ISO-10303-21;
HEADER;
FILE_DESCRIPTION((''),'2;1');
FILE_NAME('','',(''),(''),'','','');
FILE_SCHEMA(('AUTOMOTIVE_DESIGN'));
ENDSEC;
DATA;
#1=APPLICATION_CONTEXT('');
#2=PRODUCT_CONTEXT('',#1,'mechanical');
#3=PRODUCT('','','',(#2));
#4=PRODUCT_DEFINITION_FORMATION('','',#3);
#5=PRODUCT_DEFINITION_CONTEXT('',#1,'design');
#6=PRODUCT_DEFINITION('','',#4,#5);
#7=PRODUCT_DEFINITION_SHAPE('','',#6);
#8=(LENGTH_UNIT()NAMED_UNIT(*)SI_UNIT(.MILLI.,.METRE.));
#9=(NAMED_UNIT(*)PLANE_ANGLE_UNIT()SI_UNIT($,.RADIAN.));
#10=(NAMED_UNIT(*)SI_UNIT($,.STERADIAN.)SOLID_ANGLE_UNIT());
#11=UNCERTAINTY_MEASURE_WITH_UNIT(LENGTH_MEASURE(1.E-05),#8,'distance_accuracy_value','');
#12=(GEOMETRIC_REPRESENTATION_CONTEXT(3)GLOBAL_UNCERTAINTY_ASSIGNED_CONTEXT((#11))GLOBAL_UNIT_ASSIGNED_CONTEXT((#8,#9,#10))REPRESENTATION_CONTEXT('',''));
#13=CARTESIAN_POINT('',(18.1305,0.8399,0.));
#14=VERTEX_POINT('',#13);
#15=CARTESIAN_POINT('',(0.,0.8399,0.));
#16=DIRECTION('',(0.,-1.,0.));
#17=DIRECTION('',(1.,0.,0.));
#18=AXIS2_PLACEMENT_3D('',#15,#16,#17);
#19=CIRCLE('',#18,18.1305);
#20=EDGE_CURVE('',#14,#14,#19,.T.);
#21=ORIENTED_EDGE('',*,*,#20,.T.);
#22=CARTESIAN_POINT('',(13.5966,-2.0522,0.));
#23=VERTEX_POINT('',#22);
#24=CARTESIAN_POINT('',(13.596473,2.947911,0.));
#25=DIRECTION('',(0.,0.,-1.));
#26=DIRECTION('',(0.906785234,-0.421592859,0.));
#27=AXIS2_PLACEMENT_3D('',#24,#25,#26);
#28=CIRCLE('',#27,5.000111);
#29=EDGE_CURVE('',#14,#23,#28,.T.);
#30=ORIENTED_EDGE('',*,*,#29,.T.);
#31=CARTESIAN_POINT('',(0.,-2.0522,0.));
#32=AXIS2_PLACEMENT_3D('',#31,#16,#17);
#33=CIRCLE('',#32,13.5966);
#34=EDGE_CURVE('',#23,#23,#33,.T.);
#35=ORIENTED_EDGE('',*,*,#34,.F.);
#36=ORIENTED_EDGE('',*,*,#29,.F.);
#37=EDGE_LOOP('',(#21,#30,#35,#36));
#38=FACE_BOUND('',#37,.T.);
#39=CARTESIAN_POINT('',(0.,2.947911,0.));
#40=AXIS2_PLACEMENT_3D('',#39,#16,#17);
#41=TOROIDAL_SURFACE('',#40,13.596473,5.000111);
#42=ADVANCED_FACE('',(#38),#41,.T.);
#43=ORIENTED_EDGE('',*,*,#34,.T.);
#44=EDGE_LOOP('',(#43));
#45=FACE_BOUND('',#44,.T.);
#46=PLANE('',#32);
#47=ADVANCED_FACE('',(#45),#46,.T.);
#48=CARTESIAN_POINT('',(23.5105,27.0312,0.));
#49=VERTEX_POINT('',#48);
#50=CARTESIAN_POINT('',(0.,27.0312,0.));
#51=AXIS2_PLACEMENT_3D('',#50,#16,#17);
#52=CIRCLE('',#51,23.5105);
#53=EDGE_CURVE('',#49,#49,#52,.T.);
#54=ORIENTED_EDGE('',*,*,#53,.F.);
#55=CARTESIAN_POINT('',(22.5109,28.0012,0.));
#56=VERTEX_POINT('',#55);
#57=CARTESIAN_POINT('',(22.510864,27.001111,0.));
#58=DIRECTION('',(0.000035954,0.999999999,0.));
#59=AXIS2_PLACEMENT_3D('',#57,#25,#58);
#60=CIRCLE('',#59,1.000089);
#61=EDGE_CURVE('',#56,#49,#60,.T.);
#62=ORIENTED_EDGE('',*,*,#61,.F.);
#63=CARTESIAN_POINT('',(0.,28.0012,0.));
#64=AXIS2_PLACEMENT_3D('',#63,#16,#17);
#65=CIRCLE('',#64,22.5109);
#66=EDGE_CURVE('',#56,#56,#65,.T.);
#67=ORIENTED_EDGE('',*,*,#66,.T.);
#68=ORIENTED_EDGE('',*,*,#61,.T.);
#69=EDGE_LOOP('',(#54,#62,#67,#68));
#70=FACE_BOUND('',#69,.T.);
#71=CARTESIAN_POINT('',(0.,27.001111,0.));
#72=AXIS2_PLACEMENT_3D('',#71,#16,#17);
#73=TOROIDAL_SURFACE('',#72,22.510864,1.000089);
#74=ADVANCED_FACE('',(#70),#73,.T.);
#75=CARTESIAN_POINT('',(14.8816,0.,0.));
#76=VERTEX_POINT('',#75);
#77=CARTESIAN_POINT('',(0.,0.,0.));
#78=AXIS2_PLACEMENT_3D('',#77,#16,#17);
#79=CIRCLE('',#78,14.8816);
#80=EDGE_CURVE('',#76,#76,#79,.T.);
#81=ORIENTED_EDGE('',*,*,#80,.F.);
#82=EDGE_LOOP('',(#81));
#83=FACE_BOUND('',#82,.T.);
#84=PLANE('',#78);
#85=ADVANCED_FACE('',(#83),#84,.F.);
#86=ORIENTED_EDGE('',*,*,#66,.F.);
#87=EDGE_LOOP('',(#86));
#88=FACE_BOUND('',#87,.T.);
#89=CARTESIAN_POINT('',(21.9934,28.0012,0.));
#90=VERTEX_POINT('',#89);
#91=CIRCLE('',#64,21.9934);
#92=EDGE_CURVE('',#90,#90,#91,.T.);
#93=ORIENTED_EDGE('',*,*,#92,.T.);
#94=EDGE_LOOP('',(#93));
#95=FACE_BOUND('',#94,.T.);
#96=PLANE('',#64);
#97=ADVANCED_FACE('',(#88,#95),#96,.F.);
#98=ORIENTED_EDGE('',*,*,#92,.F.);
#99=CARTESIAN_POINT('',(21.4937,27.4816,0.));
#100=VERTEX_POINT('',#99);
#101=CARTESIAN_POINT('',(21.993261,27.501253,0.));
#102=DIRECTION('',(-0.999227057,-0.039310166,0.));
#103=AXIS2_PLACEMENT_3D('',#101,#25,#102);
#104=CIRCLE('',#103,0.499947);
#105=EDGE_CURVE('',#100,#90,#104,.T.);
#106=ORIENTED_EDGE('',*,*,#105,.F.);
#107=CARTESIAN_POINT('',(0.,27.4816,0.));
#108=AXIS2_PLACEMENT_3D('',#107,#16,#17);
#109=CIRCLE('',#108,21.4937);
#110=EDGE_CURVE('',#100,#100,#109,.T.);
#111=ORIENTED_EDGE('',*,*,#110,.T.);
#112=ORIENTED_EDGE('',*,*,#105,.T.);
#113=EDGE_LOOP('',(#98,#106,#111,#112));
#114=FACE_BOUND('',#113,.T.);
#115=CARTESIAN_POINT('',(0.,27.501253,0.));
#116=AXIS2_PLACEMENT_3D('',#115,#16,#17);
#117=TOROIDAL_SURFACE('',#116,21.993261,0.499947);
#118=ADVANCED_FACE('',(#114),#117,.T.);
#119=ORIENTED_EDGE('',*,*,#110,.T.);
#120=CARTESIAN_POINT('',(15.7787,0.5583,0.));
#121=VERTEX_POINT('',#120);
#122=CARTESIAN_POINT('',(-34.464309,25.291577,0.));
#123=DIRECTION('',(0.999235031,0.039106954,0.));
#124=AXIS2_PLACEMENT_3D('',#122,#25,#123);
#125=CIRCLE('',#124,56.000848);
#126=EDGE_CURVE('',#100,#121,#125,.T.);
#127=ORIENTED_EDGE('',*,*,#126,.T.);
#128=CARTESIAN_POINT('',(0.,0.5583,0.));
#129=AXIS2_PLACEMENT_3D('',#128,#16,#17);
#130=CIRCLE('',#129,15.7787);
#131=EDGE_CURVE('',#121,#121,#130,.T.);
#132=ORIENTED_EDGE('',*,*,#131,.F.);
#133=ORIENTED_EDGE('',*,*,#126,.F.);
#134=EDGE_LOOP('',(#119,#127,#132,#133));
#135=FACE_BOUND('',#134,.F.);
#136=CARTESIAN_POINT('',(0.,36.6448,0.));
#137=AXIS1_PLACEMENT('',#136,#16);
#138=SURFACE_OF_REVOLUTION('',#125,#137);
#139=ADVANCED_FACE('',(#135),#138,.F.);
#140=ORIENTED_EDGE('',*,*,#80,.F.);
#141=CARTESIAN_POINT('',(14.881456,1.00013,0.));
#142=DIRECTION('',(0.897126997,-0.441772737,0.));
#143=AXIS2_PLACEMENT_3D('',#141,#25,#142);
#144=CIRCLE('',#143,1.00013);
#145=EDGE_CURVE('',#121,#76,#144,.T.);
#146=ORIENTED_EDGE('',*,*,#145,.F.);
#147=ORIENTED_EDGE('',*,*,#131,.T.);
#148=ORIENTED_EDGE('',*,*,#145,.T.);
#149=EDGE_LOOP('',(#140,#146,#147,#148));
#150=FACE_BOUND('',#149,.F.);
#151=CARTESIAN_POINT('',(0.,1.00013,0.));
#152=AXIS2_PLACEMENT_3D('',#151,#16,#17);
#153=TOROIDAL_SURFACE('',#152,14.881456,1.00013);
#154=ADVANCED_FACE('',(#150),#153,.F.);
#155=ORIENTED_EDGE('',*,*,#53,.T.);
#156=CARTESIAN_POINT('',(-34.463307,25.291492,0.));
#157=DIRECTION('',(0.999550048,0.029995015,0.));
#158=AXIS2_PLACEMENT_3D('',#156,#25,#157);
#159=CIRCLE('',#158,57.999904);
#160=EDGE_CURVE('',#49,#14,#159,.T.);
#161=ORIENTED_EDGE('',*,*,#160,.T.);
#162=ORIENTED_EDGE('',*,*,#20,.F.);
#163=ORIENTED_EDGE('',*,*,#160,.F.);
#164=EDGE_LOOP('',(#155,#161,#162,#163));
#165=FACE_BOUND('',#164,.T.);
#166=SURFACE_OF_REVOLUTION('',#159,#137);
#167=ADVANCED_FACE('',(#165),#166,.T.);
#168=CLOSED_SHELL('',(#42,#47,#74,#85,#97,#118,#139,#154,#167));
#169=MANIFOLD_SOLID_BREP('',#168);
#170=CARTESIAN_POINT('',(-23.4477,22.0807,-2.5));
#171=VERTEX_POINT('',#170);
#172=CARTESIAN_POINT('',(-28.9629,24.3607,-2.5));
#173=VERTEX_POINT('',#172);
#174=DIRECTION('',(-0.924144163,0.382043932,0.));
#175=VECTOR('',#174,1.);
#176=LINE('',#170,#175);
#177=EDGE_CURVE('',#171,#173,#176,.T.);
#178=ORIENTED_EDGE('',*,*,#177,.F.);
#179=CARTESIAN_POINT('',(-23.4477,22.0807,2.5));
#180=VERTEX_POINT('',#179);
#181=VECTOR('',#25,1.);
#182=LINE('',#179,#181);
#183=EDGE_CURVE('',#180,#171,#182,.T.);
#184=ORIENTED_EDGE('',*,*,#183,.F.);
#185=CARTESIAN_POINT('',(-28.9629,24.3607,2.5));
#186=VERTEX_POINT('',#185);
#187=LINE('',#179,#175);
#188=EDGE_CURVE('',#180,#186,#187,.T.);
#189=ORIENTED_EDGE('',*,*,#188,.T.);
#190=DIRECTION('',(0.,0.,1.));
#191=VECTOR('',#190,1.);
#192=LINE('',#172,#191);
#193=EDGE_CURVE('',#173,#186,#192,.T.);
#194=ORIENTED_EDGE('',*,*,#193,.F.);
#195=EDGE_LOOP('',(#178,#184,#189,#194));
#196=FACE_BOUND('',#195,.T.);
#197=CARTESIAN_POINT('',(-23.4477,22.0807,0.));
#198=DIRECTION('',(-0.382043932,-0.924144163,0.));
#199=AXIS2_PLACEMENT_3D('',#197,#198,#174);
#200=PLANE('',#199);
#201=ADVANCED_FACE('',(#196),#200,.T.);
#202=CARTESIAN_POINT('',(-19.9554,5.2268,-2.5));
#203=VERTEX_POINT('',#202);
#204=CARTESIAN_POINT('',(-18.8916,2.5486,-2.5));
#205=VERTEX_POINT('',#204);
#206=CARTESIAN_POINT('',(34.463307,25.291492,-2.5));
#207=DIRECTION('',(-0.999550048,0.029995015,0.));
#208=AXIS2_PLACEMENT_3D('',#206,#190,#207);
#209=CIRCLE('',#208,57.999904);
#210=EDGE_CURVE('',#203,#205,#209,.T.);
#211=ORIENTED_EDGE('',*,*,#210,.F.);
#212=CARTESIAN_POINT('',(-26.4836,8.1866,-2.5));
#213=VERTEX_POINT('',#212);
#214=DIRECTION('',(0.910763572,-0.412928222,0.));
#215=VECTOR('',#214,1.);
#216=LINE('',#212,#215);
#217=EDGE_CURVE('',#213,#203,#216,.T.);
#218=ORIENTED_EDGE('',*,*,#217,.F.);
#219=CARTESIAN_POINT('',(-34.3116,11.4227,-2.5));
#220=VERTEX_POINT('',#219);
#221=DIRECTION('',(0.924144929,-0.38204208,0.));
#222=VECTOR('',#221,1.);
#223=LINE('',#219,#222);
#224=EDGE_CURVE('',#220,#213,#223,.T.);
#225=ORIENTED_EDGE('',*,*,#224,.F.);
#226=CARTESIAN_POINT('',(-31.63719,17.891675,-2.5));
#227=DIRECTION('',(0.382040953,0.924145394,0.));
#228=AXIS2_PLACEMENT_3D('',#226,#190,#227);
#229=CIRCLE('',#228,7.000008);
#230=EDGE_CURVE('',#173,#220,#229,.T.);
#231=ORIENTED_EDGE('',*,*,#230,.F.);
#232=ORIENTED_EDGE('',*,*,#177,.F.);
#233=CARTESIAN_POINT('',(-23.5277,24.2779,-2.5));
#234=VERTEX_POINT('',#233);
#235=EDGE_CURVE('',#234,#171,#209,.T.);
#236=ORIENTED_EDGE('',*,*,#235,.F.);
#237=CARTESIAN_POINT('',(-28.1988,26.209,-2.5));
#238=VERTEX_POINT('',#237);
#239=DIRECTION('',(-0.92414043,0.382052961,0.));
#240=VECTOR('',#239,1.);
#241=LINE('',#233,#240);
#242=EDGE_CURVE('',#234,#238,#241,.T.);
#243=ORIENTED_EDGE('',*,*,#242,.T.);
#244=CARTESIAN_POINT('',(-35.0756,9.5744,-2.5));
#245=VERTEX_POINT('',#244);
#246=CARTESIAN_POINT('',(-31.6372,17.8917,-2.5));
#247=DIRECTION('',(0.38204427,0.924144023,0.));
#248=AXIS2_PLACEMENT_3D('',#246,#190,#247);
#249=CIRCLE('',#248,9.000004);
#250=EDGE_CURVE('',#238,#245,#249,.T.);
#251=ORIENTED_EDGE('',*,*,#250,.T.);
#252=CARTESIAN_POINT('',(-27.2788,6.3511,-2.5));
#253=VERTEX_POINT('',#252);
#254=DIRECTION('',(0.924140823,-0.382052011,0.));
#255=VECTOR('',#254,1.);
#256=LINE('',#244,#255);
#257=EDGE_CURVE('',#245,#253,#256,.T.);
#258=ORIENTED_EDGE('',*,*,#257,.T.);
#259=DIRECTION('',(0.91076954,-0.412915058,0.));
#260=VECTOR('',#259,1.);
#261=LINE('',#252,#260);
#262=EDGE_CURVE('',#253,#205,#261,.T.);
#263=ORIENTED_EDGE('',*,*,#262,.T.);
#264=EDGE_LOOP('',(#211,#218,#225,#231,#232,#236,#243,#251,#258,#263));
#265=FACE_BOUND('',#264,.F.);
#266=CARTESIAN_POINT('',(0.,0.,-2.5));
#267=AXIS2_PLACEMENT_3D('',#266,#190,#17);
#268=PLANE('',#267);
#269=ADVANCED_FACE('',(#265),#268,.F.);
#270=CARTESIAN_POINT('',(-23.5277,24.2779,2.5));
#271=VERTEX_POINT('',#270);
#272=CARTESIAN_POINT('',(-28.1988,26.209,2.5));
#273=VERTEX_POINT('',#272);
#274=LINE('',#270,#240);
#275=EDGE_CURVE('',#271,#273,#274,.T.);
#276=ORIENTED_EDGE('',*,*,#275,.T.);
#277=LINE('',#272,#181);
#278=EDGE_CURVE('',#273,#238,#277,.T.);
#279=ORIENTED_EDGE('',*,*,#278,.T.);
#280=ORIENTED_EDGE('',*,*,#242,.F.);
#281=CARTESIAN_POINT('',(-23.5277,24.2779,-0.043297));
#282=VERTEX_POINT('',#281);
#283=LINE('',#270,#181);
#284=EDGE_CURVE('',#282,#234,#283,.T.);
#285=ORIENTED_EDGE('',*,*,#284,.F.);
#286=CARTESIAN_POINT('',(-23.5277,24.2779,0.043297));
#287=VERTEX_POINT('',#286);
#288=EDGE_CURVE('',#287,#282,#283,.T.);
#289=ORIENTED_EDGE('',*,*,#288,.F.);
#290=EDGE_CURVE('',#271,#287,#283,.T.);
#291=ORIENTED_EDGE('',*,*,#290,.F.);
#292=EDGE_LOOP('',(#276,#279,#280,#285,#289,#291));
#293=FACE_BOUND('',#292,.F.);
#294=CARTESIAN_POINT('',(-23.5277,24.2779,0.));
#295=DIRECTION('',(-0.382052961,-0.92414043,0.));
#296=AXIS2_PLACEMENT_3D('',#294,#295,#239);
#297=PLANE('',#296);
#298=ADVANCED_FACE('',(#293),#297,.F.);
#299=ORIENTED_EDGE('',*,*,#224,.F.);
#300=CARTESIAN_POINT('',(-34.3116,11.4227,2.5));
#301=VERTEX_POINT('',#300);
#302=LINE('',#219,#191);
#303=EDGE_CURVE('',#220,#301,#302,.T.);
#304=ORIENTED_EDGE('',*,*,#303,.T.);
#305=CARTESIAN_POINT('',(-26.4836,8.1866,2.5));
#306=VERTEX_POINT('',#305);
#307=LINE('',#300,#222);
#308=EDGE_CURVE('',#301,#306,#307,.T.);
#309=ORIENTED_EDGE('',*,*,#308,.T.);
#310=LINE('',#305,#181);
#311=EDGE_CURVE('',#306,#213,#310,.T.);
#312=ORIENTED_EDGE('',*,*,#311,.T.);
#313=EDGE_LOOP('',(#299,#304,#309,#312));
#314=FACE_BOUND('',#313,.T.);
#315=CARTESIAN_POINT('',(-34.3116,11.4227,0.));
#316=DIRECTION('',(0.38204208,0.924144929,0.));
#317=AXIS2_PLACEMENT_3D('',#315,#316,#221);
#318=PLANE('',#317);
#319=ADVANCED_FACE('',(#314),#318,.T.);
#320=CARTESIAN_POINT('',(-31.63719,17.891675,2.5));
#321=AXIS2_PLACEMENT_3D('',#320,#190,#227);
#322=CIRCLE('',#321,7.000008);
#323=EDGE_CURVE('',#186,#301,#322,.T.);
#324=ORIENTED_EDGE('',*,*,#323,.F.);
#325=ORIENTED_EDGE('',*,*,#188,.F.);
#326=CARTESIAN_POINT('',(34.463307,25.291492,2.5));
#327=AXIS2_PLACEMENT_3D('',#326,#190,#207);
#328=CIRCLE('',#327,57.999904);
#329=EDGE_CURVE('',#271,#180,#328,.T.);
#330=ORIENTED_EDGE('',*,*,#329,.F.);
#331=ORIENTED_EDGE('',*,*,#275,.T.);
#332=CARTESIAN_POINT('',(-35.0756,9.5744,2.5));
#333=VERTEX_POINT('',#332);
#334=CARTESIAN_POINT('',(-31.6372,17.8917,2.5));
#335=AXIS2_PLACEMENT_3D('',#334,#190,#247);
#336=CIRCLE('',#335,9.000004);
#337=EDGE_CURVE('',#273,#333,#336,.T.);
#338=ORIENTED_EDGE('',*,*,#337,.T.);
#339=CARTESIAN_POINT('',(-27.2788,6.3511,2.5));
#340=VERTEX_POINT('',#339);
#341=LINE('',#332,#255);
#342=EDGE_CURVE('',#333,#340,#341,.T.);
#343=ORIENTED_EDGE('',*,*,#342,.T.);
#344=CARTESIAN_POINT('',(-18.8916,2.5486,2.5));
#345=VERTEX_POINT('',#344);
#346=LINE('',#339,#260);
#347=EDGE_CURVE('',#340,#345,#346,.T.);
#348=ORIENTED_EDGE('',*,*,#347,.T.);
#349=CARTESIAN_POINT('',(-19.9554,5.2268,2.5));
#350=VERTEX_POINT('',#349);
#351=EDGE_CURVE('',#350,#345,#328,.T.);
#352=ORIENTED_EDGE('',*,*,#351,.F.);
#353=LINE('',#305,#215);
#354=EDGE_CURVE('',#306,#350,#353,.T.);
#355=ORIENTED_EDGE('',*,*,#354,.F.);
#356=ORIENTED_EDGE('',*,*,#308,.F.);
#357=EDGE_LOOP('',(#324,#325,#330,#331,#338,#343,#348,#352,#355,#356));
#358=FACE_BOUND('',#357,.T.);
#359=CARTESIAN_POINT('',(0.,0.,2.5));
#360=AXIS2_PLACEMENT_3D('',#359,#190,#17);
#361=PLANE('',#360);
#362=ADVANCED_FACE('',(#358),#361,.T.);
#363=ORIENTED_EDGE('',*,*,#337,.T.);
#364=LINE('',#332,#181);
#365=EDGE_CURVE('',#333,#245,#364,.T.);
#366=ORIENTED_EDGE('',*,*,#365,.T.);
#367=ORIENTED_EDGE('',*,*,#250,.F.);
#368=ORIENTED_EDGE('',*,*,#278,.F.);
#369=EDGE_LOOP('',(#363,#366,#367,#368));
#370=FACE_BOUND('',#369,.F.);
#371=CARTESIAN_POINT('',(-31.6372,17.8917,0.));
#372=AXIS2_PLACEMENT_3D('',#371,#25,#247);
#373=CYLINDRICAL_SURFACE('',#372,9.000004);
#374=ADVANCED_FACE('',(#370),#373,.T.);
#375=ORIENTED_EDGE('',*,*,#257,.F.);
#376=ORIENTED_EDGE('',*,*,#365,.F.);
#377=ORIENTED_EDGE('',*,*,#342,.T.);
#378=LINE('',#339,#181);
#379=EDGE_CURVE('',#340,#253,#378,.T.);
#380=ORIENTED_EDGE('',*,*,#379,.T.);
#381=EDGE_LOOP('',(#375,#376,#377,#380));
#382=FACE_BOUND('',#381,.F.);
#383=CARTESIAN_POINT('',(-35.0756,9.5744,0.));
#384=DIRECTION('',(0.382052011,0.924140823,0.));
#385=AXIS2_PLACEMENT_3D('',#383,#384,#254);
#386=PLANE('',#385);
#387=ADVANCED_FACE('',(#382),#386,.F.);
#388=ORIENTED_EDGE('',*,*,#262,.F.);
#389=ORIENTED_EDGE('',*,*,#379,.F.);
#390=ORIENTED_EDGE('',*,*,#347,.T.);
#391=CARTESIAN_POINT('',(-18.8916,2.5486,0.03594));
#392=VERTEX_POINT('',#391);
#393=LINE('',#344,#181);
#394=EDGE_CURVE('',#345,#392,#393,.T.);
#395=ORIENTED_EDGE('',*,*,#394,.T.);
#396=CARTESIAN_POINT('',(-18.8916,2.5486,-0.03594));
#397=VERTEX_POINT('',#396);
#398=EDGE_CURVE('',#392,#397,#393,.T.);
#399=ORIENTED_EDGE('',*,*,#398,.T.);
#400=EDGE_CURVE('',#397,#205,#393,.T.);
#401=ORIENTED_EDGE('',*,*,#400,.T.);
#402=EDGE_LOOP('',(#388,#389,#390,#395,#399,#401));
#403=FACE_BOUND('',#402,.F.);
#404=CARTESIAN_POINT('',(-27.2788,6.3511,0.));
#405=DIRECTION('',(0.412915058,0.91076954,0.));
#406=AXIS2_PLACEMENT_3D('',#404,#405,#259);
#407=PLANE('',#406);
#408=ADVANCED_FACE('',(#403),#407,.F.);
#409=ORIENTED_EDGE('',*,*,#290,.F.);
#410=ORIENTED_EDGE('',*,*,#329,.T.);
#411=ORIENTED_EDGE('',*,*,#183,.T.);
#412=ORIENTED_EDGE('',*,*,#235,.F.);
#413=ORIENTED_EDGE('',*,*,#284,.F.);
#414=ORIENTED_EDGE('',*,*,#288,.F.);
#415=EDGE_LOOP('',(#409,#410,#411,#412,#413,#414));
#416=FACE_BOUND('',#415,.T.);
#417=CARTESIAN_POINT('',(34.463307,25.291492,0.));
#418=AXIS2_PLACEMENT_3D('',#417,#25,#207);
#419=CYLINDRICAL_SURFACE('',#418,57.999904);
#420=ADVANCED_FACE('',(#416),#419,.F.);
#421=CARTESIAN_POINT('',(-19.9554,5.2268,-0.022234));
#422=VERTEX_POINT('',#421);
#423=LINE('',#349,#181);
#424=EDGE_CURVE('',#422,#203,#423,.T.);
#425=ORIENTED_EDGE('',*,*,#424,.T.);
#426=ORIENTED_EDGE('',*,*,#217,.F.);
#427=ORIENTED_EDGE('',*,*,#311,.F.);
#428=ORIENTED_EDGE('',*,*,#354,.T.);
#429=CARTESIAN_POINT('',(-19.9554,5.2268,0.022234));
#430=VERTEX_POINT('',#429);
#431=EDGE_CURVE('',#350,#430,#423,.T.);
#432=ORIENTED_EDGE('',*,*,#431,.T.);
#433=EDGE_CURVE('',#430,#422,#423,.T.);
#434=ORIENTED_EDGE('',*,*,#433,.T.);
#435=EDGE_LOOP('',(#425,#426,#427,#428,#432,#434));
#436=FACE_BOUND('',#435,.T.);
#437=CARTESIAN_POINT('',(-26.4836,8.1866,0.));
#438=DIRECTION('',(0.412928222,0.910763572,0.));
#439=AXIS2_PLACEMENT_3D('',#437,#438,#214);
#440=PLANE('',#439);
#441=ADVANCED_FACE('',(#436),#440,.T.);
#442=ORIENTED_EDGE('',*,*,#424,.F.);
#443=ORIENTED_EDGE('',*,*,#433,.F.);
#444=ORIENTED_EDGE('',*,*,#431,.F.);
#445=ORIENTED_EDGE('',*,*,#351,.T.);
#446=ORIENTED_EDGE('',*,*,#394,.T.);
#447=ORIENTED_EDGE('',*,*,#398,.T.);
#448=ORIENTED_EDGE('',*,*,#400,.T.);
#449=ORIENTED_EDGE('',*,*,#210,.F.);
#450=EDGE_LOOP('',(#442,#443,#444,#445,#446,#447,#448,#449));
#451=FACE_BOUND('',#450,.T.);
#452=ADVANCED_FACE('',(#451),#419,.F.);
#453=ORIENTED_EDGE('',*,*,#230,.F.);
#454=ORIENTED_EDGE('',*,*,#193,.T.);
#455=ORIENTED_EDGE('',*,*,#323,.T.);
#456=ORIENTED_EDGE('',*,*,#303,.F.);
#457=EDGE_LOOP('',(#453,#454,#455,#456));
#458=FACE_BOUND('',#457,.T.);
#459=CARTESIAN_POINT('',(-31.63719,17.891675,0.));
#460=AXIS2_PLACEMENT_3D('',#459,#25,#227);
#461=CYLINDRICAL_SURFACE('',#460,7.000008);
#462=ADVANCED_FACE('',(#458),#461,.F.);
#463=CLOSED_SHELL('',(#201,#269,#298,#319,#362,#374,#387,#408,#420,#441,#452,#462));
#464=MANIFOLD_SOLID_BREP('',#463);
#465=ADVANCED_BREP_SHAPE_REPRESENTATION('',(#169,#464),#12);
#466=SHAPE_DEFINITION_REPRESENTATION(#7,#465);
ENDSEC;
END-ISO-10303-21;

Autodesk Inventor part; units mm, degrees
ref_plane "YZ Plane" through (0, 0, 0) normal (1, 0, 0) x (0, 1, 0)
ref_plane "XZ Plane" through (0, 0, 0) normal (0, 1, 0) x (-1, 0, 0)
ref_plane "XY Plane" through (0, 0, 0) normal (0, 0, 1) x (1, 0, 0)
sketch "Sketch1" plane through (0, 0, 0) normal (0, 0, 1) x (1, 0, 0)
  line L0 (0, 0) -> (-14.8816, 0)
  arc A0 (-21.4937, 27.4816) -> (-15.7787, 0.5583) centre (34.4634, 25.2915) ccw
  line L1 (-13.5966, -2.0522) -> (0, -2.0522)
  arc A1 (-23.5105, 27.0312) -> (-18.1305, 0.8399) centre (34.4634, 25.2915) ccw
  line L2 (-21.9934, 28.0012) -> (-22.5109, 28.0012)
  arc A2 (-22.5109, 28.0012) -> (-23.5105, 27.0312) centre (-22.5109, 27.0012) ccw
  arc A3 (-21.4937, 27.4816) -> (-21.9934, 28.0012) centre (-21.9934, 27.5012) ccw
  arc A4 (-15.7787, 0.5583) -> (-14.8816, 0) centre (-14.8816, 1) ccw
  arc A5 (-18.1305, 0.8399) -> (-13.5966, -2.0522) centre (-13.5966, 2.9478) ccw
  line L3 (0, 0) -> (0, -2.0522)
  line L4 (0, 36.6448) -> (0, -24.0001)
  point P0 (-15.5, 0)
  point P1 (-16.6866, -2.0522)
  point P2 (-23.4733, 28.0012)
  dimension "d6" = 15.5
  dimension "d9" = 56
  dimension "d10" = 2
  dimension "d11" = 1
  dimension "d12" = 1
  dimension "d13" = 1
  dimension "d14" = 5
revolve "Revolution1" add sketch "Sketch1" angle 360 mid plane about axis through (0, 36.6448, 0) along (0, -1, 0)
sketch "Sketch2" plane through (0, 0, 0) normal (0, 0, 1) x (1, 0, 0)
  line L0 (-38.1062, 20.566) -> (-23.6454, 14.5878) construction
  line L1 (-34.3116, 11.4227) -> (-26.4836, 8.1866)
  line L2 (-23.4477, 22.0807) -> (-28.9629, 24.3607)
  arc A0 (-28.9629, 24.3607) -> (-34.3116, 11.4227) centre (-31.6372, 17.8917) ccw
  line L3 (-26.4836, 8.1866) -> (-19.9554, 5.2268)
  arc A1 (-23.5105, 27.0312) -> (-18.1305, 0.8399) centre (34.4634, 25.2915) ccw projected
  line L4 (-35.0756, 9.5744) -> (-27.2788, 6.3511)
  line L5 (-27.2788, 6.3511) -> (-18.8916, 2.5486)
  line L6 (-23.5277, 24.2779) -> (-28.1988, 26.209)
  arc A2 (-28.1988, 26.209) -> (-35.0756, 9.5744) centre (-31.6372, 17.8917) ccw
  arc A3 (-23.4477, 22.0807) -> (-23.416, 21.554) centre (34.4634, 25.2915) ccw
  arc A4 (-23.5277, 24.2779) -> (-23.4477, 22.0807) centre (34.4634, 25.2915) ccw
  arc A5 (-23.5277, 24.2779) -> (-23.4477, 22.0807) centre (34.4634, 25.2915) ccw
  line L7 (-18.8916, 2.5486) -> (-19.9554, 5.2268)
  point P0 (0, 0)
  point P1 (-30.8758, 17.5769)
  dimension "d19" = 2
extrude "Extrusion1" add sketch "Sketch2" along normal mid plane 5 contours L1 L3 A1 L5 L4 A2 L6 L2 A0
properties part number "cad@48"
